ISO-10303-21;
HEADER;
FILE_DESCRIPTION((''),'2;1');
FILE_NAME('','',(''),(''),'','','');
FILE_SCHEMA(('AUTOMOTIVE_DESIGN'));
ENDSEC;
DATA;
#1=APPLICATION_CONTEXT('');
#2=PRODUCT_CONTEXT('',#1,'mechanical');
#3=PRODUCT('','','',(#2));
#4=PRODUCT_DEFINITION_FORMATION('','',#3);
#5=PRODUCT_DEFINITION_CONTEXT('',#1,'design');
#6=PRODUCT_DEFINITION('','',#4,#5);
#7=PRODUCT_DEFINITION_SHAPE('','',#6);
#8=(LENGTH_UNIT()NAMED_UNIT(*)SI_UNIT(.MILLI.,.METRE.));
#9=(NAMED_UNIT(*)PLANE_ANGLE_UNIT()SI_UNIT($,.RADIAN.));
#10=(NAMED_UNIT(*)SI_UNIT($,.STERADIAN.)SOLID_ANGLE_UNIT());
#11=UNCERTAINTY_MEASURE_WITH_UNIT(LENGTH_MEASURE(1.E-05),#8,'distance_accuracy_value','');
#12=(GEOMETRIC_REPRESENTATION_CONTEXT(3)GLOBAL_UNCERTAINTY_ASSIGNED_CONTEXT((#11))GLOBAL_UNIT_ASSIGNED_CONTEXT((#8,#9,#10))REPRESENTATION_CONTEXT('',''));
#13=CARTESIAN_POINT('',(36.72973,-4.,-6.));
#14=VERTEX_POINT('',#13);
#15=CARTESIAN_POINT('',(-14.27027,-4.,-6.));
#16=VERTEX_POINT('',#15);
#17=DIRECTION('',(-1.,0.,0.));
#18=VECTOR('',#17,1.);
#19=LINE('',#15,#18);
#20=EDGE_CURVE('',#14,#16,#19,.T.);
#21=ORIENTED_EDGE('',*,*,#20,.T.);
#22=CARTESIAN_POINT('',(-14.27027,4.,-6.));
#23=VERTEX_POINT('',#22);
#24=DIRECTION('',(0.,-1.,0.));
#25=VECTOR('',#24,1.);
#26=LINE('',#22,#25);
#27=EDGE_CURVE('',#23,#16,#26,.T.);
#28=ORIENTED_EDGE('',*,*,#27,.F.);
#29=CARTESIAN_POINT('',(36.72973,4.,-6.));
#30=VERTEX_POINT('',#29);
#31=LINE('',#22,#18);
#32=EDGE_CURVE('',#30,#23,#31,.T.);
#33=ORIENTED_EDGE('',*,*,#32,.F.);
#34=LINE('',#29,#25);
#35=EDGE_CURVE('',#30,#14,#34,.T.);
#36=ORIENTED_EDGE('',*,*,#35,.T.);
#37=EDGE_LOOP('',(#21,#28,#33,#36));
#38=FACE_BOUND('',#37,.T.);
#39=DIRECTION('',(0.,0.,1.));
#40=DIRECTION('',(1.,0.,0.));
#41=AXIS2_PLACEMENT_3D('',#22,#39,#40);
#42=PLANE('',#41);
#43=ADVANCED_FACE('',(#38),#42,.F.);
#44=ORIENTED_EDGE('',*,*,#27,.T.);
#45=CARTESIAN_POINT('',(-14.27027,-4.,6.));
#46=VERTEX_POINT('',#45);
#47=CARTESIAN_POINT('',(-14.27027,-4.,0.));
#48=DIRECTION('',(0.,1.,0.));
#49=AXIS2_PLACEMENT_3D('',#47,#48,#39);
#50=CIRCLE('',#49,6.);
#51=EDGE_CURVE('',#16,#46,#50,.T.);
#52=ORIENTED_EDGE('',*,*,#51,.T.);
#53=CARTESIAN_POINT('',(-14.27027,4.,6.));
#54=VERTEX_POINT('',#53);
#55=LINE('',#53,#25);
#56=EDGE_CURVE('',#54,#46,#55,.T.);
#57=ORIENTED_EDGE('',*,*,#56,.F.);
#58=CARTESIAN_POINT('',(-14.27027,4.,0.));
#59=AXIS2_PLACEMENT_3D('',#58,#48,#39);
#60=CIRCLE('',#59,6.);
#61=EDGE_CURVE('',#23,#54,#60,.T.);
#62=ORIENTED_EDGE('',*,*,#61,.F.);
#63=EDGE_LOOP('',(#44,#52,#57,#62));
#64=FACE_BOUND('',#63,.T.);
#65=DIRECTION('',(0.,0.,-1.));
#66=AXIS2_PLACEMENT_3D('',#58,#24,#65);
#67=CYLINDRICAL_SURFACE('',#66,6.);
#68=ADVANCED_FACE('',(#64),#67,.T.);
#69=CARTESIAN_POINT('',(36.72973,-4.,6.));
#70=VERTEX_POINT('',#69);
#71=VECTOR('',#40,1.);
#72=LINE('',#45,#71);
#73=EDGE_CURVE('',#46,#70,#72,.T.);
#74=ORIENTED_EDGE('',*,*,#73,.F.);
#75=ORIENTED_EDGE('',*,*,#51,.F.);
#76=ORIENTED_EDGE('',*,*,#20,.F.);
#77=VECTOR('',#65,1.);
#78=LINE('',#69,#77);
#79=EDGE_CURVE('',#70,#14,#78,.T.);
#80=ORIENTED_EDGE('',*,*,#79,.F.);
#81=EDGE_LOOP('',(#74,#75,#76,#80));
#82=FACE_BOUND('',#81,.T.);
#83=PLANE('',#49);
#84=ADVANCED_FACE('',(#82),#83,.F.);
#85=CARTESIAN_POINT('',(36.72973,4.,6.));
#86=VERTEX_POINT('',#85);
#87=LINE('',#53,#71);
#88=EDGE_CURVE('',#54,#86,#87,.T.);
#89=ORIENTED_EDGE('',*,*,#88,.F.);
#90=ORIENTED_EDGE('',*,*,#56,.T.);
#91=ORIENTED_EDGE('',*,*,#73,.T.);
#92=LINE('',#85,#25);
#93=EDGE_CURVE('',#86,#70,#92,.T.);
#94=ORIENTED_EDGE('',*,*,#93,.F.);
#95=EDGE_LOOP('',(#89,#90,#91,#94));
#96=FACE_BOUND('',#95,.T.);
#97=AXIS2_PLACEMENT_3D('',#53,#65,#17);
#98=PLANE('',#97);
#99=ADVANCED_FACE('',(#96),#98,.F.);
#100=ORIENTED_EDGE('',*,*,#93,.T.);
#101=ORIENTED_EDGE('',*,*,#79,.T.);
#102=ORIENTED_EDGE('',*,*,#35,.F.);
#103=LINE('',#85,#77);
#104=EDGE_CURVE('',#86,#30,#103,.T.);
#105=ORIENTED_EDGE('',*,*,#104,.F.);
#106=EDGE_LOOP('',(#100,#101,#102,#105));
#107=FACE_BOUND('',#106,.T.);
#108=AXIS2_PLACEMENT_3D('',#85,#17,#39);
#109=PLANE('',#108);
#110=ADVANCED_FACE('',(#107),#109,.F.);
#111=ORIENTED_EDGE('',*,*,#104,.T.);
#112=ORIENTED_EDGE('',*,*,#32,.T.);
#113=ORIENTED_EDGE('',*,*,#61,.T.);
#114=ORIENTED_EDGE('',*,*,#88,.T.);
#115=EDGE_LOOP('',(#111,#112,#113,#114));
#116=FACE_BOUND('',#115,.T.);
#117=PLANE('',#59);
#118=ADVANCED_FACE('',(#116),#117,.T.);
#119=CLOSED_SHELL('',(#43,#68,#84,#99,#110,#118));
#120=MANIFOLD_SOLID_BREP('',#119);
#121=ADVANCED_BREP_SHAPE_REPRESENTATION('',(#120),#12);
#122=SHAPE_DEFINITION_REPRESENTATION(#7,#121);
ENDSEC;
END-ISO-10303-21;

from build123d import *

# Parameters (mm, degrees)
BOSS_EXTRUDE1_DEPTH = 4


with BuildPart() as part:
    # Sketch1 → Boss-Extrude1 (new, symmetric)
    with BuildSketch(Plane(origin=(0, 0, 0), x_dir=(1, 0, 0), z_dir=(0, 1, 0))):
        with BuildLine():
            Line((-14.27027027, 6), (36.72972973, 6))
            Line((36.72972973, 6), (36.72972973, -6))
            Line((36.72972973, -6), (-14.27027027, -6))
            ThreePointArc((-14.27027027, -6), (-20.27027027, 0), (-14.27027027, 6))
        make_face()
    extrude(amount=BOSS_EXTRUDE1_DEPTH, both=True)


solid = part.part
